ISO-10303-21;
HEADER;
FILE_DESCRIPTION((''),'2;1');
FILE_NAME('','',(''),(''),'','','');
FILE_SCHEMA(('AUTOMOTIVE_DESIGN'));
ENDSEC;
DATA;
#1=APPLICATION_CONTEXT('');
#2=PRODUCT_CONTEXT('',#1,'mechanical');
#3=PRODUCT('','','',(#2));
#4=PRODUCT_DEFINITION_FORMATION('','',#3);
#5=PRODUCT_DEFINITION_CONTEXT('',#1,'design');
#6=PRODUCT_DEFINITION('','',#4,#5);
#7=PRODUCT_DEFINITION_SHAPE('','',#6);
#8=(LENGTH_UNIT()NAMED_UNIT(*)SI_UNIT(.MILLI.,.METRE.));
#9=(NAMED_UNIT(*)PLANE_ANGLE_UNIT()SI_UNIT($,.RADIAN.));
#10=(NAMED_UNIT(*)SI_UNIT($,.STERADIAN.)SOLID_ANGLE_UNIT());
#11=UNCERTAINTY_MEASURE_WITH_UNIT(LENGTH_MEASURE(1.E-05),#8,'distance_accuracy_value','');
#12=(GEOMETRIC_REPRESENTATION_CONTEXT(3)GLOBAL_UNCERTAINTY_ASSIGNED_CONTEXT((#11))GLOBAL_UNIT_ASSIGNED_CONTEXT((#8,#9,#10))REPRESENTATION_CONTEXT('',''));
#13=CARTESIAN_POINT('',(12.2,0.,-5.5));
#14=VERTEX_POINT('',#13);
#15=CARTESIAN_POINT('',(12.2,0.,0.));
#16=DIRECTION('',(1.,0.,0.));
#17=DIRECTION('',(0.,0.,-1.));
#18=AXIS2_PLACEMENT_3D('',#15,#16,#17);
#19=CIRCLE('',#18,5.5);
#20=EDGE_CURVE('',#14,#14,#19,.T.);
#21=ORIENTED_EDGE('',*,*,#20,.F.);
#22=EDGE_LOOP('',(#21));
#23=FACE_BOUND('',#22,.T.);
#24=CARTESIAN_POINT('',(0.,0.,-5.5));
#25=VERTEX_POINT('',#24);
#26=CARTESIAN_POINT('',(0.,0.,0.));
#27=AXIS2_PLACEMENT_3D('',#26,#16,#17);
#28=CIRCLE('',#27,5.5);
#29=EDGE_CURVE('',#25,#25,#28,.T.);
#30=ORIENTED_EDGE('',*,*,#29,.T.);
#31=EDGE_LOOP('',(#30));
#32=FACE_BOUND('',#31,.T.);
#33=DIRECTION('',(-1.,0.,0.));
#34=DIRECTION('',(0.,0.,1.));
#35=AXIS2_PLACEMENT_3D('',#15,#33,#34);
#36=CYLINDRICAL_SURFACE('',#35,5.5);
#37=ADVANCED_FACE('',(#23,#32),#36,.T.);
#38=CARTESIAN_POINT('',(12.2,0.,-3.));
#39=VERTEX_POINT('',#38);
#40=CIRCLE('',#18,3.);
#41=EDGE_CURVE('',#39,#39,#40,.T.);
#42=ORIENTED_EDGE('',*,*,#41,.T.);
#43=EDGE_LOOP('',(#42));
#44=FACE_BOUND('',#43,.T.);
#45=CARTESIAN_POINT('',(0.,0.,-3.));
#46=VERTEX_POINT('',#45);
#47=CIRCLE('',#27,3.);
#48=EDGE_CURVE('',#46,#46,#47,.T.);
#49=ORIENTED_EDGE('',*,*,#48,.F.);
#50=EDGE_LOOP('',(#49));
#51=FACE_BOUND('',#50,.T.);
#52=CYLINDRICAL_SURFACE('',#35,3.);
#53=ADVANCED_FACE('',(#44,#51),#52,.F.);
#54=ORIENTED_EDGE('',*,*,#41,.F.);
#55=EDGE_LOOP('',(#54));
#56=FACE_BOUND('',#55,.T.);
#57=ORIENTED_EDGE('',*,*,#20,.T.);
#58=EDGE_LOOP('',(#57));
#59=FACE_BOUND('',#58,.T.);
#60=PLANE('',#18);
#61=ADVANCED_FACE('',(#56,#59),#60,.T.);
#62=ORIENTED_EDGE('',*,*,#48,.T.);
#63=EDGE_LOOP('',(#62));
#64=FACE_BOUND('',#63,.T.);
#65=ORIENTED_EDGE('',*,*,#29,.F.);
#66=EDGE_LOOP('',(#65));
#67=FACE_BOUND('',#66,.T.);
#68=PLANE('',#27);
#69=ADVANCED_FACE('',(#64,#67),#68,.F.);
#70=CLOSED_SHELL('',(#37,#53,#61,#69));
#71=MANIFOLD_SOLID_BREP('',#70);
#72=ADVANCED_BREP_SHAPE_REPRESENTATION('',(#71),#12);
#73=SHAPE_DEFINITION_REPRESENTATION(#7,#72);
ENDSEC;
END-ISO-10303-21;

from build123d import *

# Parameters (mm, degrees)
SKETCH_1_R      = 5.5
SKETCH_1_R_2    = 3
EXTRUDE_1_DEPTH = 12.2


with BuildPart() as part:
    # 草图1 → 凸台-拉伸1 (new body)
    with BuildSketch(Plane(origin=(0, 0, 0), x_dir=(0, 0, -1), z_dir=(1, 0, 0))):
        Circle(SKETCH_1_R)
        Circle(SKETCH_1_R_2, mode=Mode.SUBTRACT)
    extrude(amount=EXTRUDE_1_DEPTH)


solid = part.part
